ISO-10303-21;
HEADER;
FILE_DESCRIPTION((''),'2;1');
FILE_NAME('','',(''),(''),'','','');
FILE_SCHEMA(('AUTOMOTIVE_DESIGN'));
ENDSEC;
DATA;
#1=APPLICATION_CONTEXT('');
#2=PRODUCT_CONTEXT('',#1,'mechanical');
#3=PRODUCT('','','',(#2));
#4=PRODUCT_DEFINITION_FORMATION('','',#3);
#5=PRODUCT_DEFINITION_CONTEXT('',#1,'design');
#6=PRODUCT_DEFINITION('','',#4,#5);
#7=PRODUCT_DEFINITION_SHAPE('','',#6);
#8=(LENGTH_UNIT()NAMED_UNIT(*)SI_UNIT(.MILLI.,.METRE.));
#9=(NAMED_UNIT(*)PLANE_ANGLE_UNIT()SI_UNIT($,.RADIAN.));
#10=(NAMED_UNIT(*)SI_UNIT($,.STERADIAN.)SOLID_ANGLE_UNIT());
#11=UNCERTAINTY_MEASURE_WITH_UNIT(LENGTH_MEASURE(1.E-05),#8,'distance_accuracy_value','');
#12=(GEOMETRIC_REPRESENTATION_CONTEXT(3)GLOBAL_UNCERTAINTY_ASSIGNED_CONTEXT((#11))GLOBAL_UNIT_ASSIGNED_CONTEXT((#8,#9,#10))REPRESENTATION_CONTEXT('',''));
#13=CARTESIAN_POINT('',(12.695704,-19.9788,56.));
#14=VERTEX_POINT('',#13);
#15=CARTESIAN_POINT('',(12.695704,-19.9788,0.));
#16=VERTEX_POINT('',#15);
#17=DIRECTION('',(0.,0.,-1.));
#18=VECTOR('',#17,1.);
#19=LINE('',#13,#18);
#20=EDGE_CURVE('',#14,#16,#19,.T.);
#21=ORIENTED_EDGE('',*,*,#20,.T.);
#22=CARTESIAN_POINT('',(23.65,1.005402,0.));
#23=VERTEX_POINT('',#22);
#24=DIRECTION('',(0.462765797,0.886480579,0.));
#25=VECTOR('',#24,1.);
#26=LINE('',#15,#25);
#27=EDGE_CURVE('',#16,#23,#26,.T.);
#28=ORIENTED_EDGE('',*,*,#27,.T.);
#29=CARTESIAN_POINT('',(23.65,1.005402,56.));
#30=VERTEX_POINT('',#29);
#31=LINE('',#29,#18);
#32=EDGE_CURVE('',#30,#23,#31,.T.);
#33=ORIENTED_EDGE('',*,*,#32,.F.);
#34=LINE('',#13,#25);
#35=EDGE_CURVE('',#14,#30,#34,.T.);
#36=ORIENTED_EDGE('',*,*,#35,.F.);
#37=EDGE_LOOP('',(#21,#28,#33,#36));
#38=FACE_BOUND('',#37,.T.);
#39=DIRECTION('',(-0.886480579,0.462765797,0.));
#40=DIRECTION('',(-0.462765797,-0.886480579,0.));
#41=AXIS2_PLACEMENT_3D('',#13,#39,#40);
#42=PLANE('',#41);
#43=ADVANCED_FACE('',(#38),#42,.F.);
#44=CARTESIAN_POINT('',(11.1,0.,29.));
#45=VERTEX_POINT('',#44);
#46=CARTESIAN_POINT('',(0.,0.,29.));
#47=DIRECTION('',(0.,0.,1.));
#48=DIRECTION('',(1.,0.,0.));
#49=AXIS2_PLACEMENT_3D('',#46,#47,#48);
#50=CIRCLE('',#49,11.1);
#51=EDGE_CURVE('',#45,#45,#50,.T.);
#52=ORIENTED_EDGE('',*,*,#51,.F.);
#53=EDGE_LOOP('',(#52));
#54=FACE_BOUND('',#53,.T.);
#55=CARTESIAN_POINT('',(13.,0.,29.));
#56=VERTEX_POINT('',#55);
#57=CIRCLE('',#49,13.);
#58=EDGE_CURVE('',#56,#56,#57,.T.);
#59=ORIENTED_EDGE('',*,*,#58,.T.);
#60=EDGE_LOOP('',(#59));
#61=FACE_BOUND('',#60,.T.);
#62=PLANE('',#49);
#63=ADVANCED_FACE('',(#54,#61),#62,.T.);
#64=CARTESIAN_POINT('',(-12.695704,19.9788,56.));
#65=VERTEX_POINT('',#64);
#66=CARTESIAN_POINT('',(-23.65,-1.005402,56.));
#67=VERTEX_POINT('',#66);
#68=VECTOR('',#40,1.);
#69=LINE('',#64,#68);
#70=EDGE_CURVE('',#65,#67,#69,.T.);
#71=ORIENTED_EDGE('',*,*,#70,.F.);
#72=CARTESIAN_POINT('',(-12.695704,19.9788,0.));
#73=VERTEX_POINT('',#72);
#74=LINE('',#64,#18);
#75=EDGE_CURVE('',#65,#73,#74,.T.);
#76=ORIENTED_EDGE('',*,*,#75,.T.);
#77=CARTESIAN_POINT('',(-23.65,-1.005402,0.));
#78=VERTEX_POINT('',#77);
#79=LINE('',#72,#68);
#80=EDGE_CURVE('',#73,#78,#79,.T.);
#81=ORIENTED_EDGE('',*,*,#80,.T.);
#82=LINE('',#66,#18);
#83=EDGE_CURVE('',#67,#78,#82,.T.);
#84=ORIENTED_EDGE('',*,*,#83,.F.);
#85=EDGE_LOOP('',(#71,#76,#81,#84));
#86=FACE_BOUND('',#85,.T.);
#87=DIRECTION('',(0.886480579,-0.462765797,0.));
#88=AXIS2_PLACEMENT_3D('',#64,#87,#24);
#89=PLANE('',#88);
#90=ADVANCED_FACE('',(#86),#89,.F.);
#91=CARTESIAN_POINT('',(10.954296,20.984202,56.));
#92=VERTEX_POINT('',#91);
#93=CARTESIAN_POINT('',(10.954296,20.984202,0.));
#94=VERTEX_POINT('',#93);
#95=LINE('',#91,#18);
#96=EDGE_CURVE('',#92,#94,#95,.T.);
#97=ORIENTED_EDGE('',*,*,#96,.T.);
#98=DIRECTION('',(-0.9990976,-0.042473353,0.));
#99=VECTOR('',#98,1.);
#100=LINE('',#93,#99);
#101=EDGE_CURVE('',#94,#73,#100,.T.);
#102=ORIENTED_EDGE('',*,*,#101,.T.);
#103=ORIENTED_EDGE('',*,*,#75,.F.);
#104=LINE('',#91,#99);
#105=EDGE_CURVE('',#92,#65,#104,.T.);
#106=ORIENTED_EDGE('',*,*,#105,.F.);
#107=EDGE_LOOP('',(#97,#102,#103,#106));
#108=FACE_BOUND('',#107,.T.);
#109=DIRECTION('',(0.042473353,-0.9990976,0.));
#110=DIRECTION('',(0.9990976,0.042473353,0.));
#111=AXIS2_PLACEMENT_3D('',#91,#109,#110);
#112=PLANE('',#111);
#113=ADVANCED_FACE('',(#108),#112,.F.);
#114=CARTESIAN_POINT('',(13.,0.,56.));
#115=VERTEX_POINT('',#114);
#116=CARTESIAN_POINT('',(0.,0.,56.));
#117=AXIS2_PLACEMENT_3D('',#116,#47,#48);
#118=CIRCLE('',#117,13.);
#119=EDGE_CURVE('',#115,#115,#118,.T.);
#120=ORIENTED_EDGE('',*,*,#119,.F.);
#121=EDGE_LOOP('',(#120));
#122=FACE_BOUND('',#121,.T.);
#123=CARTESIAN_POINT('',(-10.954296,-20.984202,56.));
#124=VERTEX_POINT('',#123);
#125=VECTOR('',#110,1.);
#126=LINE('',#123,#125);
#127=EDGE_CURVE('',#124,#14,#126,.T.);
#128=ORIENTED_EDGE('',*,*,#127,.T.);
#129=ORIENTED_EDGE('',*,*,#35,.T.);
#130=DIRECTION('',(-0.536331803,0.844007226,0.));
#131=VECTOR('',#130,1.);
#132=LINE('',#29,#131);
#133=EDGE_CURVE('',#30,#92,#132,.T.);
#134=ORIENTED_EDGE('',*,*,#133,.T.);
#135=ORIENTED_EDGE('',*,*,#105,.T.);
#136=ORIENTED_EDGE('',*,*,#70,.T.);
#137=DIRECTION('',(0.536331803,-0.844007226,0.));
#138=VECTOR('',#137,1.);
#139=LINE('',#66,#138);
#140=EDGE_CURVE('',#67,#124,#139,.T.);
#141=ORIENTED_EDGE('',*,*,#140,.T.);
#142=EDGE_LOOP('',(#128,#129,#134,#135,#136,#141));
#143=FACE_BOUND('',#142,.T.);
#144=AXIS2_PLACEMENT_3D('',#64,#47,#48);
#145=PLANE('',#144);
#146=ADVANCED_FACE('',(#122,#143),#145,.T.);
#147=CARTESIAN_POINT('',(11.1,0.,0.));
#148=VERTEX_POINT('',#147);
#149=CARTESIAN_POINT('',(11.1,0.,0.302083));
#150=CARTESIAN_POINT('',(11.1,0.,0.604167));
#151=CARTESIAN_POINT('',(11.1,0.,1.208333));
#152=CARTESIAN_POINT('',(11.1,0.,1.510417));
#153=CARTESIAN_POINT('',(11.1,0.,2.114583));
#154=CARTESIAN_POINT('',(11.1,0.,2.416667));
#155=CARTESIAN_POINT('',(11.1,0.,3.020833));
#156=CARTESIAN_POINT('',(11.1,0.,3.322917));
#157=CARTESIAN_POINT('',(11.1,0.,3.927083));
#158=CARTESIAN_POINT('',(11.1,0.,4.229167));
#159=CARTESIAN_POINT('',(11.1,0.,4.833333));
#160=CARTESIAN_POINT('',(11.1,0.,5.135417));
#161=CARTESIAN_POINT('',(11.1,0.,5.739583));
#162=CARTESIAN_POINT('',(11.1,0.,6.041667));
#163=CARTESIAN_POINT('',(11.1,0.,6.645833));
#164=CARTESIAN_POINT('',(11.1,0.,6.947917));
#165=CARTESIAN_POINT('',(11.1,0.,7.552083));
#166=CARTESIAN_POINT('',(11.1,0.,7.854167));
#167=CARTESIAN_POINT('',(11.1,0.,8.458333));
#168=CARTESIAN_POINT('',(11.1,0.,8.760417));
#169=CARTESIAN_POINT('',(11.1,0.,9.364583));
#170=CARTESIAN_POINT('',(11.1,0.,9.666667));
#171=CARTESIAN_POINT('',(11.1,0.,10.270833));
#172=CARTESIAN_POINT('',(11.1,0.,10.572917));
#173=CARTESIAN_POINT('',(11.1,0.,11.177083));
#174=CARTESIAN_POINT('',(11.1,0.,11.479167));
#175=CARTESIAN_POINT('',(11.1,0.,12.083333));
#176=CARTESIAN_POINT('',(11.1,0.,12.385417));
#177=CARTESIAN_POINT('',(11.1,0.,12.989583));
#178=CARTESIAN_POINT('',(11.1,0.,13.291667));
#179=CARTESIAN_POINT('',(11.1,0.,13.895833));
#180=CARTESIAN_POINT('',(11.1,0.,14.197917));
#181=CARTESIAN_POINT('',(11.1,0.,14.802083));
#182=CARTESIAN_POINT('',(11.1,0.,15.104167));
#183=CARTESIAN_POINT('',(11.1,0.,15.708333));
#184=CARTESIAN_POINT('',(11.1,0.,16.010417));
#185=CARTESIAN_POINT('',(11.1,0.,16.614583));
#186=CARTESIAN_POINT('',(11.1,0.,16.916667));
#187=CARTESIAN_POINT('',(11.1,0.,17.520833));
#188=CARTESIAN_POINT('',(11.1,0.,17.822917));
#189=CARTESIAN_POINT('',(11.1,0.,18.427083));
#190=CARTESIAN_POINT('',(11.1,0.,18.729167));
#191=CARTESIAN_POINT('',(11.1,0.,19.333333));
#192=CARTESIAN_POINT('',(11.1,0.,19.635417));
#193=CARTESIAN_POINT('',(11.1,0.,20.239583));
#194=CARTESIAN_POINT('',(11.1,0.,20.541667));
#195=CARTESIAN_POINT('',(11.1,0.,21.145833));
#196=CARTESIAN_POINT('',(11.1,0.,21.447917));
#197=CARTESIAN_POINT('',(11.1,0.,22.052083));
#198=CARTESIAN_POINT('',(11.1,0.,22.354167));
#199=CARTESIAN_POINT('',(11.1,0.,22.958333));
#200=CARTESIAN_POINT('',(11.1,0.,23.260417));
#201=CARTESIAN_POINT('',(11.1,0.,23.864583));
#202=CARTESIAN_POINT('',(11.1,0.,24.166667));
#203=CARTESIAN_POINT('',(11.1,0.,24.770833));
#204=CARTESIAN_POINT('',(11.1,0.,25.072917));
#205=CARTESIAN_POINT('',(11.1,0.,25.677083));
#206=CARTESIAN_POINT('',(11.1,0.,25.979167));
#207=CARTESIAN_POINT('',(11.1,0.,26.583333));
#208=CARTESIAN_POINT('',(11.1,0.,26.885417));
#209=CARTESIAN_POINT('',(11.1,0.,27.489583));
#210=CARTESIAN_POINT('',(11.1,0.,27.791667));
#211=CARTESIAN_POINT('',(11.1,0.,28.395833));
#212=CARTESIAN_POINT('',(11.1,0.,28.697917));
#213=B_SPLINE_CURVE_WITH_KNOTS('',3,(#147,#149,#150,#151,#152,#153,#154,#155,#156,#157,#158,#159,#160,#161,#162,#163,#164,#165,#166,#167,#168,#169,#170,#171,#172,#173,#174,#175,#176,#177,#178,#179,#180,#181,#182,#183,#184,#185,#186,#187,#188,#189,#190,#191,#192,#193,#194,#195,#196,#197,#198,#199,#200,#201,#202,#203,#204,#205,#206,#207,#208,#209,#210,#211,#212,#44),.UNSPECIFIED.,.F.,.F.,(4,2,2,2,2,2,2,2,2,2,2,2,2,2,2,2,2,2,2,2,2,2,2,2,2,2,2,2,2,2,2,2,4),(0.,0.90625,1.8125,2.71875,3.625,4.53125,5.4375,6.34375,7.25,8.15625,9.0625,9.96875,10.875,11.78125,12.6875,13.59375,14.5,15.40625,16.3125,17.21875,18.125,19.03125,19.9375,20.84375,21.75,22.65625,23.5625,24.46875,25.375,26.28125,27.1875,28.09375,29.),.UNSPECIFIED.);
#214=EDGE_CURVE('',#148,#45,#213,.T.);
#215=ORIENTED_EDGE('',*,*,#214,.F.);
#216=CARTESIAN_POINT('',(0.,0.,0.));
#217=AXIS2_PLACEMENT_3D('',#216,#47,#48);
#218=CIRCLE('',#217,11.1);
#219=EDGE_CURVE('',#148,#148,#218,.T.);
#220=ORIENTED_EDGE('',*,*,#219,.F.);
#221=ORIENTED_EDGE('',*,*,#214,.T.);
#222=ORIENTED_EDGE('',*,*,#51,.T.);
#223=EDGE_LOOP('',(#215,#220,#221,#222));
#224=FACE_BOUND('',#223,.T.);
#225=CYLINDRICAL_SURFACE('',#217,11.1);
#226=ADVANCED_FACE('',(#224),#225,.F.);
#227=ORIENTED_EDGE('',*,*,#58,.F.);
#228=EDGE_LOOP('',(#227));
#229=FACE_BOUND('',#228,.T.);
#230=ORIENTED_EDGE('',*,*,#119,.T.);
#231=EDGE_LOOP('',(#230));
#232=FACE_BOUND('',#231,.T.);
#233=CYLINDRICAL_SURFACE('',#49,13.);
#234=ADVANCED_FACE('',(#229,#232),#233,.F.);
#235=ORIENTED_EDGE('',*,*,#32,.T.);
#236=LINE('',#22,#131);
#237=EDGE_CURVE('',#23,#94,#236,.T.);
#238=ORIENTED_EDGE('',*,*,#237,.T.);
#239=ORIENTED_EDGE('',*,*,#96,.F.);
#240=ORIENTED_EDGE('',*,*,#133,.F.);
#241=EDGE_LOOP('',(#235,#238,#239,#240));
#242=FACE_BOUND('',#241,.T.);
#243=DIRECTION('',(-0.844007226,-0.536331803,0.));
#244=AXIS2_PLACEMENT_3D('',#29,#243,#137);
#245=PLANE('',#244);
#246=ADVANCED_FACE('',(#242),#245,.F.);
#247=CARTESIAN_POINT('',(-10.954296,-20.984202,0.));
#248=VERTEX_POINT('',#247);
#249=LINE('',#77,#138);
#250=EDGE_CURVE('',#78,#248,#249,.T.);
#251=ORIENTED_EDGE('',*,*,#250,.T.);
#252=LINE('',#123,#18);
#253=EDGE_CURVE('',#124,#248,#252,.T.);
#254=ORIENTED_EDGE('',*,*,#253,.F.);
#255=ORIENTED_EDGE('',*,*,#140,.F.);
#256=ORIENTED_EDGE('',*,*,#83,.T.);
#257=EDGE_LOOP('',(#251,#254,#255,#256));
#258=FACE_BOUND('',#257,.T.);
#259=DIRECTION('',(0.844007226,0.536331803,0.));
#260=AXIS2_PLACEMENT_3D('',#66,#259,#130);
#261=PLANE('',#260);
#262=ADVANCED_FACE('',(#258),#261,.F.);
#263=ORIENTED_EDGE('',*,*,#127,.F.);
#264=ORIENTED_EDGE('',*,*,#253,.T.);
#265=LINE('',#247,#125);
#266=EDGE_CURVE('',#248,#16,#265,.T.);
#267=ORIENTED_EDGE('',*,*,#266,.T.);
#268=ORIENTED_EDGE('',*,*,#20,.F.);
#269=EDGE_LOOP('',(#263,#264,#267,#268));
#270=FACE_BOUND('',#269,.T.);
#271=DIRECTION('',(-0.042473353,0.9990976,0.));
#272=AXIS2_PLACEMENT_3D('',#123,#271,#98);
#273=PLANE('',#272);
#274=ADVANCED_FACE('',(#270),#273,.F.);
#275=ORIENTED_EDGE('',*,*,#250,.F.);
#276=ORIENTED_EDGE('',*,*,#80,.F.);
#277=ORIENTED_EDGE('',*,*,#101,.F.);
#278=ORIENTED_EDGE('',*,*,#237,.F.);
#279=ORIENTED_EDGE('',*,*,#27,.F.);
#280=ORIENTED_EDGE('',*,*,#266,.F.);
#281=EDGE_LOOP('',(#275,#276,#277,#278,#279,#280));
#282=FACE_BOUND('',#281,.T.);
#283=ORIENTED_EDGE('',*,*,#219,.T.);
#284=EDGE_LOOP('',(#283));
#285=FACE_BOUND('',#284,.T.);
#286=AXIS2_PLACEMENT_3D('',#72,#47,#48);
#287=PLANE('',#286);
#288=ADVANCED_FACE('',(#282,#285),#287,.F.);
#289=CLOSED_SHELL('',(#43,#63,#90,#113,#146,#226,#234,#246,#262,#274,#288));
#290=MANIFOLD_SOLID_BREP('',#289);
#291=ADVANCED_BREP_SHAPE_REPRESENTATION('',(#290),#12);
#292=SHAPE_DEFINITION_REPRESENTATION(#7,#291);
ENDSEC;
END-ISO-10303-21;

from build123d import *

# Parameters (mm, degrees)
EXTRUDE_1_DEPTH     = 56
SKETCH_2_R          = 13
CUT_EXTRUDE_1_DEPTH = 27
SKETCH_3_R          = 11.1
CUT_EXTRUDE_2_DEPTH = 43.902904642


with BuildPart() as part:
    # 草图1 → 凸台-拉伸1 (new body)
    with BuildSketch(Plane.XY):
        Polygon((-12.695703738, 19.978799762), (-23.65, -1.005402075), (-10.954296262, -20.984201837), (12.695703738, -19.978799762), (23.65, 1.005402075), (10.954296262, 20.984201837), align=None)
    extrude(amount=EXTRUDE_1_DEPTH)

    # 草图2 → 切除-拉伸1 (cut)
    with BuildSketch(Plane.XY.offset(56)):
        Circle(SKETCH_2_R)
    extrude(amount=-CUT_EXTRUDE_1_DEPTH, mode=Mode.SUBTRACT)

    # 草图3 → 切除-拉伸2 (cut, through all)
    with BuildSketch(Plane.XY.offset(29)):
        Circle(SKETCH_3_R)
    extrude(amount=-CUT_EXTRUDE_2_DEPTH, mode=Mode.SUBTRACT)


solid = part.part
